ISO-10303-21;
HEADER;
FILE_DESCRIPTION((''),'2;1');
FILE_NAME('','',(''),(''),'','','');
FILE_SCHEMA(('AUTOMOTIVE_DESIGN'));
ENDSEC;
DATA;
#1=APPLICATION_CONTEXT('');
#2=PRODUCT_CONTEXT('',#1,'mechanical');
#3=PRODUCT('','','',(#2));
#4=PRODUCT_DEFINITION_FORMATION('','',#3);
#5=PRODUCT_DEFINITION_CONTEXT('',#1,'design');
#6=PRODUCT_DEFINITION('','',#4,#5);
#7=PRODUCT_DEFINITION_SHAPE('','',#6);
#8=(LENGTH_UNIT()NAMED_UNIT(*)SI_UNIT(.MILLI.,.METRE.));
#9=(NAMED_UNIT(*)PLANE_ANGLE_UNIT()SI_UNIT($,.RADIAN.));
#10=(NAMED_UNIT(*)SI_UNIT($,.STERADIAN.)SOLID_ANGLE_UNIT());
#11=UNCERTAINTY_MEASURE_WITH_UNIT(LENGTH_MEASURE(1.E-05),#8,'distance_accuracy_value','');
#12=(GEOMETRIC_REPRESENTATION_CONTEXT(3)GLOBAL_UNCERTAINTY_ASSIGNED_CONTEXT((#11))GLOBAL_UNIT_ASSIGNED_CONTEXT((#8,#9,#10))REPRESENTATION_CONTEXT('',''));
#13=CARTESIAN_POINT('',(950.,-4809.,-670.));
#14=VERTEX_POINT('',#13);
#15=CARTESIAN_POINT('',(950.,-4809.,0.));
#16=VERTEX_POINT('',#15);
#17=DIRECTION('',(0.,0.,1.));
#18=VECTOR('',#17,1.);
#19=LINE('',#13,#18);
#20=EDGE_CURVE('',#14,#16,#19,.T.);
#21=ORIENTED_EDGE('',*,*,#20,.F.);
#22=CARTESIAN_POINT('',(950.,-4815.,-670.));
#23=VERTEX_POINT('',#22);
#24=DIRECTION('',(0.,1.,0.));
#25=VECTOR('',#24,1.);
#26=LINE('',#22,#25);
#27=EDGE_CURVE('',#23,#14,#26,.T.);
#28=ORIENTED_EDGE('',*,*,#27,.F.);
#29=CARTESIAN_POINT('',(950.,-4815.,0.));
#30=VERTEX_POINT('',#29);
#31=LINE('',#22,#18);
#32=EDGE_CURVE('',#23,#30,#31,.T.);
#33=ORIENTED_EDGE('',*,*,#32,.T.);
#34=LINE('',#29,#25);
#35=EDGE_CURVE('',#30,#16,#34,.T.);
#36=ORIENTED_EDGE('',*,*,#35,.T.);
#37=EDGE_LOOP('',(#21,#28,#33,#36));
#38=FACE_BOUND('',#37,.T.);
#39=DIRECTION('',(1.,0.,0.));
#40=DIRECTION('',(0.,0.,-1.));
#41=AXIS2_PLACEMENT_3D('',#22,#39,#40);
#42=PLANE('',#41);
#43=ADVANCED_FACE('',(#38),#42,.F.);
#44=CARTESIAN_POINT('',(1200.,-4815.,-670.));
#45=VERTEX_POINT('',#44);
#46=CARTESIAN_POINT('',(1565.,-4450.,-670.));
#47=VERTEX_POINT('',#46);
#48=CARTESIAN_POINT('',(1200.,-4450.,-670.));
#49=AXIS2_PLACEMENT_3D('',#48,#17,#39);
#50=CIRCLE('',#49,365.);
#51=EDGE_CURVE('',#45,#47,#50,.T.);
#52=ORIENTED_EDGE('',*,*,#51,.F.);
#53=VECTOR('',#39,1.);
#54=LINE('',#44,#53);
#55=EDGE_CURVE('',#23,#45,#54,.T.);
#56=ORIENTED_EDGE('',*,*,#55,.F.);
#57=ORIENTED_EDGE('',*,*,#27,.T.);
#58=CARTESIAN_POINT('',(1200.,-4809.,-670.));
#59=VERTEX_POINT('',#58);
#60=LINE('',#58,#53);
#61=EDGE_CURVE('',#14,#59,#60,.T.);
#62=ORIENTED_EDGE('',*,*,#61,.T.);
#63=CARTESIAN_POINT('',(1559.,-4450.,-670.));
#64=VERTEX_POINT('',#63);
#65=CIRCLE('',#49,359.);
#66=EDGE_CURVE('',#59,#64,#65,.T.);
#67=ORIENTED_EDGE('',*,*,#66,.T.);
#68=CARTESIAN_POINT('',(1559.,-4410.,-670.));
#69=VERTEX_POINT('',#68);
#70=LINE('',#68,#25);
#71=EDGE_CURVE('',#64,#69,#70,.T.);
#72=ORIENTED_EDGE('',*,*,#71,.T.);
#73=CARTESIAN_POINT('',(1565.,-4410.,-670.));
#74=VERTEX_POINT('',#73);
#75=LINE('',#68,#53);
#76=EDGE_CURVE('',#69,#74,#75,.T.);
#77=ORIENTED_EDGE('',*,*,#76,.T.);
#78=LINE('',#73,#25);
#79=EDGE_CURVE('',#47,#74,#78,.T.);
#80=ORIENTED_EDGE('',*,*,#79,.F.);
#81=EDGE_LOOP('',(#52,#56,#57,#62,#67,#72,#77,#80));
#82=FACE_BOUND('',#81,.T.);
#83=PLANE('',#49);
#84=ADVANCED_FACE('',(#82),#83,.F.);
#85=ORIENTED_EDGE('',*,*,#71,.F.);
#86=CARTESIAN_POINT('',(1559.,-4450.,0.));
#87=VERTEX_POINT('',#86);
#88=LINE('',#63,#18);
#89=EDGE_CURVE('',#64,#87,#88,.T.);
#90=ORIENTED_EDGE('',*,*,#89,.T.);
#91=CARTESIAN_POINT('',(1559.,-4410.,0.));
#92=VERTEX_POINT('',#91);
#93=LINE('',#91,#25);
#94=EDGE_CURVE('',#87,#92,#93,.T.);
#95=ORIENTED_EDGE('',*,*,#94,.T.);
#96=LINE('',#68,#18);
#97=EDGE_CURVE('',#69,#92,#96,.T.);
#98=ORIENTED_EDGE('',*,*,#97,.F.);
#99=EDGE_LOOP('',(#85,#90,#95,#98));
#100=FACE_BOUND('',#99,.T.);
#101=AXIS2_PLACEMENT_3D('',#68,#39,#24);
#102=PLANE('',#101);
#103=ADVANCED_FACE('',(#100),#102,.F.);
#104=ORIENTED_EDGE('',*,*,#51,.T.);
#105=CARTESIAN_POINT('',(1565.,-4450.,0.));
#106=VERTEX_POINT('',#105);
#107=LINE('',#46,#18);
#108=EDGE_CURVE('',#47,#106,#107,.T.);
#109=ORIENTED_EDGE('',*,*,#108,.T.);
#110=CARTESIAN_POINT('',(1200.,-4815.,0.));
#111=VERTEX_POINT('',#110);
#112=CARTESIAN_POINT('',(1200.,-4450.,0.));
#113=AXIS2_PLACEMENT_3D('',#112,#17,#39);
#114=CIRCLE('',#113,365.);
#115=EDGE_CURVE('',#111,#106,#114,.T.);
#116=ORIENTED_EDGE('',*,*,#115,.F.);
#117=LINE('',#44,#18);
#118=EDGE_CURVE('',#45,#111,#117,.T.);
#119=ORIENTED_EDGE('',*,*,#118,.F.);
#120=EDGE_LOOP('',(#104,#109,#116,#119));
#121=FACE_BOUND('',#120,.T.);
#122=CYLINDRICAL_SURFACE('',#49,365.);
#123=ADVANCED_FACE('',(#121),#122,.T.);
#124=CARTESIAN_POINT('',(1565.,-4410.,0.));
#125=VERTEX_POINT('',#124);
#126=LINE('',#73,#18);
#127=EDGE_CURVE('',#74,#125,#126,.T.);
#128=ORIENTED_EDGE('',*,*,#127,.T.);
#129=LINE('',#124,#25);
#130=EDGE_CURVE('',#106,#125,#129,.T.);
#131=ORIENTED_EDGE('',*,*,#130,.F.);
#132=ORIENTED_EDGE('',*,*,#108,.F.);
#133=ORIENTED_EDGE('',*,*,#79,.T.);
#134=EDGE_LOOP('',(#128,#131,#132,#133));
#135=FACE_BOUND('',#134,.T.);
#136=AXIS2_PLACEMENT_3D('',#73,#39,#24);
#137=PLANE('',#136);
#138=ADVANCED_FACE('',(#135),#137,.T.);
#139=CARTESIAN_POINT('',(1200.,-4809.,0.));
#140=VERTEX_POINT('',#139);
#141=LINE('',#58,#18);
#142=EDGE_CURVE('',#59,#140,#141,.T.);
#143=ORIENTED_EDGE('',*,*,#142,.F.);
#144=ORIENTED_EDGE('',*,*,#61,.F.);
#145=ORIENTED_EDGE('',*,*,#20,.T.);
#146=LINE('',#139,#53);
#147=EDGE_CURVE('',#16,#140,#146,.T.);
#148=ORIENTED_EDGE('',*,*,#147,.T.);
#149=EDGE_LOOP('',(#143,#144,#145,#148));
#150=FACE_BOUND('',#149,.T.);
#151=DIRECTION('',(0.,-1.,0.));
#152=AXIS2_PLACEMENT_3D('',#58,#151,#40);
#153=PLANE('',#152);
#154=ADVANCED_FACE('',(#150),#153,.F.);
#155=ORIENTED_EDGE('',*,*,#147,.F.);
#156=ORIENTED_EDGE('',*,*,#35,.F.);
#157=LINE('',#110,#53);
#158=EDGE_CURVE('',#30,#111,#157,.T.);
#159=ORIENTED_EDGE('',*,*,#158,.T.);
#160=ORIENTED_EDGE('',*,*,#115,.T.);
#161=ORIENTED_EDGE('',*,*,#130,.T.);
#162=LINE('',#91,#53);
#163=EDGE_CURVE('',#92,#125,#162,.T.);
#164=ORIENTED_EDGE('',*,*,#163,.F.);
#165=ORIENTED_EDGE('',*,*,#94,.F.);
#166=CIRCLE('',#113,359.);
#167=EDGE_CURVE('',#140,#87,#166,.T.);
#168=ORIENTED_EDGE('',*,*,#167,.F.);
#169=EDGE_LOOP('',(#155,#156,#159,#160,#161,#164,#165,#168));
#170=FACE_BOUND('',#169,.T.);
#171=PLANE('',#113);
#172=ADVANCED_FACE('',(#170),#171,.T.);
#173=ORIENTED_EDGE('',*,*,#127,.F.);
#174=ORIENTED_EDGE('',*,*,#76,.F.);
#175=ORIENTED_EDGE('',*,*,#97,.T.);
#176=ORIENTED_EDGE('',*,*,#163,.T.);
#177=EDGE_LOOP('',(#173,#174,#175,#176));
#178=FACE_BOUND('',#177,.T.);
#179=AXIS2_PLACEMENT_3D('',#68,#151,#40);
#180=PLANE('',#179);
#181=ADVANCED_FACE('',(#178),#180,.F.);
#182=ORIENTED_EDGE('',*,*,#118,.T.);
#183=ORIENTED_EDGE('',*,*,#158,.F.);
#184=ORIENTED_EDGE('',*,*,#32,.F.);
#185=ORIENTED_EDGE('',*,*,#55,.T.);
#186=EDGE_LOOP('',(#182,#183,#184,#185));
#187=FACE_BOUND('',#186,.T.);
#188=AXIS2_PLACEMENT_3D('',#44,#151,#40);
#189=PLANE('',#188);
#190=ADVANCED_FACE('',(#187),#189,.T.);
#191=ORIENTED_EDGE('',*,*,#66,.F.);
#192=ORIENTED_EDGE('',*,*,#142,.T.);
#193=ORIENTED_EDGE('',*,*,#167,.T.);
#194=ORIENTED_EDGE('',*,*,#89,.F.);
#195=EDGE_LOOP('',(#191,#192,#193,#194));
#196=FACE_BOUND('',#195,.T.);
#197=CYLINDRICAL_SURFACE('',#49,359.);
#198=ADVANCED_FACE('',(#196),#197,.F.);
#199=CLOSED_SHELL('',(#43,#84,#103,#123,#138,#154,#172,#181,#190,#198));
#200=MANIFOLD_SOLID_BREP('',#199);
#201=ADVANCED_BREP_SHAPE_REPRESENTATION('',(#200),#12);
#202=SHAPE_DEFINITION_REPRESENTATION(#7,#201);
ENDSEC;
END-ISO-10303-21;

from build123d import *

# Parameters (mm, degrees)
EXTRUDE_THIN1_DEPTH = 670


with BuildPart() as part:
    # Sketch1 → Extrude-Thin1 (new body)
    with BuildSketch(Plane.XY):
        with BuildLine():
            Line((1565, -4410), (1565, -4450))
            ThreePointArc((1565, -4450), (1458.093975133, -4708.093975133), (1200, -4815))
            Line((1200, -4815), (950, -4815))
            Line((950, -4815), (950, -4809))
            Line((950, -4809), (1200, -4809))
            ThreePointArc((1200, -4809), (1453.851334446, -4703.851334446), (1559, -4450))
            Line((1559, -4450), (1559, -4410))
            Line((1559, -4410), (1565, -4410))
        make_face()
    extrude(amount=-EXTRUDE_THIN1_DEPTH)


solid = part.part
